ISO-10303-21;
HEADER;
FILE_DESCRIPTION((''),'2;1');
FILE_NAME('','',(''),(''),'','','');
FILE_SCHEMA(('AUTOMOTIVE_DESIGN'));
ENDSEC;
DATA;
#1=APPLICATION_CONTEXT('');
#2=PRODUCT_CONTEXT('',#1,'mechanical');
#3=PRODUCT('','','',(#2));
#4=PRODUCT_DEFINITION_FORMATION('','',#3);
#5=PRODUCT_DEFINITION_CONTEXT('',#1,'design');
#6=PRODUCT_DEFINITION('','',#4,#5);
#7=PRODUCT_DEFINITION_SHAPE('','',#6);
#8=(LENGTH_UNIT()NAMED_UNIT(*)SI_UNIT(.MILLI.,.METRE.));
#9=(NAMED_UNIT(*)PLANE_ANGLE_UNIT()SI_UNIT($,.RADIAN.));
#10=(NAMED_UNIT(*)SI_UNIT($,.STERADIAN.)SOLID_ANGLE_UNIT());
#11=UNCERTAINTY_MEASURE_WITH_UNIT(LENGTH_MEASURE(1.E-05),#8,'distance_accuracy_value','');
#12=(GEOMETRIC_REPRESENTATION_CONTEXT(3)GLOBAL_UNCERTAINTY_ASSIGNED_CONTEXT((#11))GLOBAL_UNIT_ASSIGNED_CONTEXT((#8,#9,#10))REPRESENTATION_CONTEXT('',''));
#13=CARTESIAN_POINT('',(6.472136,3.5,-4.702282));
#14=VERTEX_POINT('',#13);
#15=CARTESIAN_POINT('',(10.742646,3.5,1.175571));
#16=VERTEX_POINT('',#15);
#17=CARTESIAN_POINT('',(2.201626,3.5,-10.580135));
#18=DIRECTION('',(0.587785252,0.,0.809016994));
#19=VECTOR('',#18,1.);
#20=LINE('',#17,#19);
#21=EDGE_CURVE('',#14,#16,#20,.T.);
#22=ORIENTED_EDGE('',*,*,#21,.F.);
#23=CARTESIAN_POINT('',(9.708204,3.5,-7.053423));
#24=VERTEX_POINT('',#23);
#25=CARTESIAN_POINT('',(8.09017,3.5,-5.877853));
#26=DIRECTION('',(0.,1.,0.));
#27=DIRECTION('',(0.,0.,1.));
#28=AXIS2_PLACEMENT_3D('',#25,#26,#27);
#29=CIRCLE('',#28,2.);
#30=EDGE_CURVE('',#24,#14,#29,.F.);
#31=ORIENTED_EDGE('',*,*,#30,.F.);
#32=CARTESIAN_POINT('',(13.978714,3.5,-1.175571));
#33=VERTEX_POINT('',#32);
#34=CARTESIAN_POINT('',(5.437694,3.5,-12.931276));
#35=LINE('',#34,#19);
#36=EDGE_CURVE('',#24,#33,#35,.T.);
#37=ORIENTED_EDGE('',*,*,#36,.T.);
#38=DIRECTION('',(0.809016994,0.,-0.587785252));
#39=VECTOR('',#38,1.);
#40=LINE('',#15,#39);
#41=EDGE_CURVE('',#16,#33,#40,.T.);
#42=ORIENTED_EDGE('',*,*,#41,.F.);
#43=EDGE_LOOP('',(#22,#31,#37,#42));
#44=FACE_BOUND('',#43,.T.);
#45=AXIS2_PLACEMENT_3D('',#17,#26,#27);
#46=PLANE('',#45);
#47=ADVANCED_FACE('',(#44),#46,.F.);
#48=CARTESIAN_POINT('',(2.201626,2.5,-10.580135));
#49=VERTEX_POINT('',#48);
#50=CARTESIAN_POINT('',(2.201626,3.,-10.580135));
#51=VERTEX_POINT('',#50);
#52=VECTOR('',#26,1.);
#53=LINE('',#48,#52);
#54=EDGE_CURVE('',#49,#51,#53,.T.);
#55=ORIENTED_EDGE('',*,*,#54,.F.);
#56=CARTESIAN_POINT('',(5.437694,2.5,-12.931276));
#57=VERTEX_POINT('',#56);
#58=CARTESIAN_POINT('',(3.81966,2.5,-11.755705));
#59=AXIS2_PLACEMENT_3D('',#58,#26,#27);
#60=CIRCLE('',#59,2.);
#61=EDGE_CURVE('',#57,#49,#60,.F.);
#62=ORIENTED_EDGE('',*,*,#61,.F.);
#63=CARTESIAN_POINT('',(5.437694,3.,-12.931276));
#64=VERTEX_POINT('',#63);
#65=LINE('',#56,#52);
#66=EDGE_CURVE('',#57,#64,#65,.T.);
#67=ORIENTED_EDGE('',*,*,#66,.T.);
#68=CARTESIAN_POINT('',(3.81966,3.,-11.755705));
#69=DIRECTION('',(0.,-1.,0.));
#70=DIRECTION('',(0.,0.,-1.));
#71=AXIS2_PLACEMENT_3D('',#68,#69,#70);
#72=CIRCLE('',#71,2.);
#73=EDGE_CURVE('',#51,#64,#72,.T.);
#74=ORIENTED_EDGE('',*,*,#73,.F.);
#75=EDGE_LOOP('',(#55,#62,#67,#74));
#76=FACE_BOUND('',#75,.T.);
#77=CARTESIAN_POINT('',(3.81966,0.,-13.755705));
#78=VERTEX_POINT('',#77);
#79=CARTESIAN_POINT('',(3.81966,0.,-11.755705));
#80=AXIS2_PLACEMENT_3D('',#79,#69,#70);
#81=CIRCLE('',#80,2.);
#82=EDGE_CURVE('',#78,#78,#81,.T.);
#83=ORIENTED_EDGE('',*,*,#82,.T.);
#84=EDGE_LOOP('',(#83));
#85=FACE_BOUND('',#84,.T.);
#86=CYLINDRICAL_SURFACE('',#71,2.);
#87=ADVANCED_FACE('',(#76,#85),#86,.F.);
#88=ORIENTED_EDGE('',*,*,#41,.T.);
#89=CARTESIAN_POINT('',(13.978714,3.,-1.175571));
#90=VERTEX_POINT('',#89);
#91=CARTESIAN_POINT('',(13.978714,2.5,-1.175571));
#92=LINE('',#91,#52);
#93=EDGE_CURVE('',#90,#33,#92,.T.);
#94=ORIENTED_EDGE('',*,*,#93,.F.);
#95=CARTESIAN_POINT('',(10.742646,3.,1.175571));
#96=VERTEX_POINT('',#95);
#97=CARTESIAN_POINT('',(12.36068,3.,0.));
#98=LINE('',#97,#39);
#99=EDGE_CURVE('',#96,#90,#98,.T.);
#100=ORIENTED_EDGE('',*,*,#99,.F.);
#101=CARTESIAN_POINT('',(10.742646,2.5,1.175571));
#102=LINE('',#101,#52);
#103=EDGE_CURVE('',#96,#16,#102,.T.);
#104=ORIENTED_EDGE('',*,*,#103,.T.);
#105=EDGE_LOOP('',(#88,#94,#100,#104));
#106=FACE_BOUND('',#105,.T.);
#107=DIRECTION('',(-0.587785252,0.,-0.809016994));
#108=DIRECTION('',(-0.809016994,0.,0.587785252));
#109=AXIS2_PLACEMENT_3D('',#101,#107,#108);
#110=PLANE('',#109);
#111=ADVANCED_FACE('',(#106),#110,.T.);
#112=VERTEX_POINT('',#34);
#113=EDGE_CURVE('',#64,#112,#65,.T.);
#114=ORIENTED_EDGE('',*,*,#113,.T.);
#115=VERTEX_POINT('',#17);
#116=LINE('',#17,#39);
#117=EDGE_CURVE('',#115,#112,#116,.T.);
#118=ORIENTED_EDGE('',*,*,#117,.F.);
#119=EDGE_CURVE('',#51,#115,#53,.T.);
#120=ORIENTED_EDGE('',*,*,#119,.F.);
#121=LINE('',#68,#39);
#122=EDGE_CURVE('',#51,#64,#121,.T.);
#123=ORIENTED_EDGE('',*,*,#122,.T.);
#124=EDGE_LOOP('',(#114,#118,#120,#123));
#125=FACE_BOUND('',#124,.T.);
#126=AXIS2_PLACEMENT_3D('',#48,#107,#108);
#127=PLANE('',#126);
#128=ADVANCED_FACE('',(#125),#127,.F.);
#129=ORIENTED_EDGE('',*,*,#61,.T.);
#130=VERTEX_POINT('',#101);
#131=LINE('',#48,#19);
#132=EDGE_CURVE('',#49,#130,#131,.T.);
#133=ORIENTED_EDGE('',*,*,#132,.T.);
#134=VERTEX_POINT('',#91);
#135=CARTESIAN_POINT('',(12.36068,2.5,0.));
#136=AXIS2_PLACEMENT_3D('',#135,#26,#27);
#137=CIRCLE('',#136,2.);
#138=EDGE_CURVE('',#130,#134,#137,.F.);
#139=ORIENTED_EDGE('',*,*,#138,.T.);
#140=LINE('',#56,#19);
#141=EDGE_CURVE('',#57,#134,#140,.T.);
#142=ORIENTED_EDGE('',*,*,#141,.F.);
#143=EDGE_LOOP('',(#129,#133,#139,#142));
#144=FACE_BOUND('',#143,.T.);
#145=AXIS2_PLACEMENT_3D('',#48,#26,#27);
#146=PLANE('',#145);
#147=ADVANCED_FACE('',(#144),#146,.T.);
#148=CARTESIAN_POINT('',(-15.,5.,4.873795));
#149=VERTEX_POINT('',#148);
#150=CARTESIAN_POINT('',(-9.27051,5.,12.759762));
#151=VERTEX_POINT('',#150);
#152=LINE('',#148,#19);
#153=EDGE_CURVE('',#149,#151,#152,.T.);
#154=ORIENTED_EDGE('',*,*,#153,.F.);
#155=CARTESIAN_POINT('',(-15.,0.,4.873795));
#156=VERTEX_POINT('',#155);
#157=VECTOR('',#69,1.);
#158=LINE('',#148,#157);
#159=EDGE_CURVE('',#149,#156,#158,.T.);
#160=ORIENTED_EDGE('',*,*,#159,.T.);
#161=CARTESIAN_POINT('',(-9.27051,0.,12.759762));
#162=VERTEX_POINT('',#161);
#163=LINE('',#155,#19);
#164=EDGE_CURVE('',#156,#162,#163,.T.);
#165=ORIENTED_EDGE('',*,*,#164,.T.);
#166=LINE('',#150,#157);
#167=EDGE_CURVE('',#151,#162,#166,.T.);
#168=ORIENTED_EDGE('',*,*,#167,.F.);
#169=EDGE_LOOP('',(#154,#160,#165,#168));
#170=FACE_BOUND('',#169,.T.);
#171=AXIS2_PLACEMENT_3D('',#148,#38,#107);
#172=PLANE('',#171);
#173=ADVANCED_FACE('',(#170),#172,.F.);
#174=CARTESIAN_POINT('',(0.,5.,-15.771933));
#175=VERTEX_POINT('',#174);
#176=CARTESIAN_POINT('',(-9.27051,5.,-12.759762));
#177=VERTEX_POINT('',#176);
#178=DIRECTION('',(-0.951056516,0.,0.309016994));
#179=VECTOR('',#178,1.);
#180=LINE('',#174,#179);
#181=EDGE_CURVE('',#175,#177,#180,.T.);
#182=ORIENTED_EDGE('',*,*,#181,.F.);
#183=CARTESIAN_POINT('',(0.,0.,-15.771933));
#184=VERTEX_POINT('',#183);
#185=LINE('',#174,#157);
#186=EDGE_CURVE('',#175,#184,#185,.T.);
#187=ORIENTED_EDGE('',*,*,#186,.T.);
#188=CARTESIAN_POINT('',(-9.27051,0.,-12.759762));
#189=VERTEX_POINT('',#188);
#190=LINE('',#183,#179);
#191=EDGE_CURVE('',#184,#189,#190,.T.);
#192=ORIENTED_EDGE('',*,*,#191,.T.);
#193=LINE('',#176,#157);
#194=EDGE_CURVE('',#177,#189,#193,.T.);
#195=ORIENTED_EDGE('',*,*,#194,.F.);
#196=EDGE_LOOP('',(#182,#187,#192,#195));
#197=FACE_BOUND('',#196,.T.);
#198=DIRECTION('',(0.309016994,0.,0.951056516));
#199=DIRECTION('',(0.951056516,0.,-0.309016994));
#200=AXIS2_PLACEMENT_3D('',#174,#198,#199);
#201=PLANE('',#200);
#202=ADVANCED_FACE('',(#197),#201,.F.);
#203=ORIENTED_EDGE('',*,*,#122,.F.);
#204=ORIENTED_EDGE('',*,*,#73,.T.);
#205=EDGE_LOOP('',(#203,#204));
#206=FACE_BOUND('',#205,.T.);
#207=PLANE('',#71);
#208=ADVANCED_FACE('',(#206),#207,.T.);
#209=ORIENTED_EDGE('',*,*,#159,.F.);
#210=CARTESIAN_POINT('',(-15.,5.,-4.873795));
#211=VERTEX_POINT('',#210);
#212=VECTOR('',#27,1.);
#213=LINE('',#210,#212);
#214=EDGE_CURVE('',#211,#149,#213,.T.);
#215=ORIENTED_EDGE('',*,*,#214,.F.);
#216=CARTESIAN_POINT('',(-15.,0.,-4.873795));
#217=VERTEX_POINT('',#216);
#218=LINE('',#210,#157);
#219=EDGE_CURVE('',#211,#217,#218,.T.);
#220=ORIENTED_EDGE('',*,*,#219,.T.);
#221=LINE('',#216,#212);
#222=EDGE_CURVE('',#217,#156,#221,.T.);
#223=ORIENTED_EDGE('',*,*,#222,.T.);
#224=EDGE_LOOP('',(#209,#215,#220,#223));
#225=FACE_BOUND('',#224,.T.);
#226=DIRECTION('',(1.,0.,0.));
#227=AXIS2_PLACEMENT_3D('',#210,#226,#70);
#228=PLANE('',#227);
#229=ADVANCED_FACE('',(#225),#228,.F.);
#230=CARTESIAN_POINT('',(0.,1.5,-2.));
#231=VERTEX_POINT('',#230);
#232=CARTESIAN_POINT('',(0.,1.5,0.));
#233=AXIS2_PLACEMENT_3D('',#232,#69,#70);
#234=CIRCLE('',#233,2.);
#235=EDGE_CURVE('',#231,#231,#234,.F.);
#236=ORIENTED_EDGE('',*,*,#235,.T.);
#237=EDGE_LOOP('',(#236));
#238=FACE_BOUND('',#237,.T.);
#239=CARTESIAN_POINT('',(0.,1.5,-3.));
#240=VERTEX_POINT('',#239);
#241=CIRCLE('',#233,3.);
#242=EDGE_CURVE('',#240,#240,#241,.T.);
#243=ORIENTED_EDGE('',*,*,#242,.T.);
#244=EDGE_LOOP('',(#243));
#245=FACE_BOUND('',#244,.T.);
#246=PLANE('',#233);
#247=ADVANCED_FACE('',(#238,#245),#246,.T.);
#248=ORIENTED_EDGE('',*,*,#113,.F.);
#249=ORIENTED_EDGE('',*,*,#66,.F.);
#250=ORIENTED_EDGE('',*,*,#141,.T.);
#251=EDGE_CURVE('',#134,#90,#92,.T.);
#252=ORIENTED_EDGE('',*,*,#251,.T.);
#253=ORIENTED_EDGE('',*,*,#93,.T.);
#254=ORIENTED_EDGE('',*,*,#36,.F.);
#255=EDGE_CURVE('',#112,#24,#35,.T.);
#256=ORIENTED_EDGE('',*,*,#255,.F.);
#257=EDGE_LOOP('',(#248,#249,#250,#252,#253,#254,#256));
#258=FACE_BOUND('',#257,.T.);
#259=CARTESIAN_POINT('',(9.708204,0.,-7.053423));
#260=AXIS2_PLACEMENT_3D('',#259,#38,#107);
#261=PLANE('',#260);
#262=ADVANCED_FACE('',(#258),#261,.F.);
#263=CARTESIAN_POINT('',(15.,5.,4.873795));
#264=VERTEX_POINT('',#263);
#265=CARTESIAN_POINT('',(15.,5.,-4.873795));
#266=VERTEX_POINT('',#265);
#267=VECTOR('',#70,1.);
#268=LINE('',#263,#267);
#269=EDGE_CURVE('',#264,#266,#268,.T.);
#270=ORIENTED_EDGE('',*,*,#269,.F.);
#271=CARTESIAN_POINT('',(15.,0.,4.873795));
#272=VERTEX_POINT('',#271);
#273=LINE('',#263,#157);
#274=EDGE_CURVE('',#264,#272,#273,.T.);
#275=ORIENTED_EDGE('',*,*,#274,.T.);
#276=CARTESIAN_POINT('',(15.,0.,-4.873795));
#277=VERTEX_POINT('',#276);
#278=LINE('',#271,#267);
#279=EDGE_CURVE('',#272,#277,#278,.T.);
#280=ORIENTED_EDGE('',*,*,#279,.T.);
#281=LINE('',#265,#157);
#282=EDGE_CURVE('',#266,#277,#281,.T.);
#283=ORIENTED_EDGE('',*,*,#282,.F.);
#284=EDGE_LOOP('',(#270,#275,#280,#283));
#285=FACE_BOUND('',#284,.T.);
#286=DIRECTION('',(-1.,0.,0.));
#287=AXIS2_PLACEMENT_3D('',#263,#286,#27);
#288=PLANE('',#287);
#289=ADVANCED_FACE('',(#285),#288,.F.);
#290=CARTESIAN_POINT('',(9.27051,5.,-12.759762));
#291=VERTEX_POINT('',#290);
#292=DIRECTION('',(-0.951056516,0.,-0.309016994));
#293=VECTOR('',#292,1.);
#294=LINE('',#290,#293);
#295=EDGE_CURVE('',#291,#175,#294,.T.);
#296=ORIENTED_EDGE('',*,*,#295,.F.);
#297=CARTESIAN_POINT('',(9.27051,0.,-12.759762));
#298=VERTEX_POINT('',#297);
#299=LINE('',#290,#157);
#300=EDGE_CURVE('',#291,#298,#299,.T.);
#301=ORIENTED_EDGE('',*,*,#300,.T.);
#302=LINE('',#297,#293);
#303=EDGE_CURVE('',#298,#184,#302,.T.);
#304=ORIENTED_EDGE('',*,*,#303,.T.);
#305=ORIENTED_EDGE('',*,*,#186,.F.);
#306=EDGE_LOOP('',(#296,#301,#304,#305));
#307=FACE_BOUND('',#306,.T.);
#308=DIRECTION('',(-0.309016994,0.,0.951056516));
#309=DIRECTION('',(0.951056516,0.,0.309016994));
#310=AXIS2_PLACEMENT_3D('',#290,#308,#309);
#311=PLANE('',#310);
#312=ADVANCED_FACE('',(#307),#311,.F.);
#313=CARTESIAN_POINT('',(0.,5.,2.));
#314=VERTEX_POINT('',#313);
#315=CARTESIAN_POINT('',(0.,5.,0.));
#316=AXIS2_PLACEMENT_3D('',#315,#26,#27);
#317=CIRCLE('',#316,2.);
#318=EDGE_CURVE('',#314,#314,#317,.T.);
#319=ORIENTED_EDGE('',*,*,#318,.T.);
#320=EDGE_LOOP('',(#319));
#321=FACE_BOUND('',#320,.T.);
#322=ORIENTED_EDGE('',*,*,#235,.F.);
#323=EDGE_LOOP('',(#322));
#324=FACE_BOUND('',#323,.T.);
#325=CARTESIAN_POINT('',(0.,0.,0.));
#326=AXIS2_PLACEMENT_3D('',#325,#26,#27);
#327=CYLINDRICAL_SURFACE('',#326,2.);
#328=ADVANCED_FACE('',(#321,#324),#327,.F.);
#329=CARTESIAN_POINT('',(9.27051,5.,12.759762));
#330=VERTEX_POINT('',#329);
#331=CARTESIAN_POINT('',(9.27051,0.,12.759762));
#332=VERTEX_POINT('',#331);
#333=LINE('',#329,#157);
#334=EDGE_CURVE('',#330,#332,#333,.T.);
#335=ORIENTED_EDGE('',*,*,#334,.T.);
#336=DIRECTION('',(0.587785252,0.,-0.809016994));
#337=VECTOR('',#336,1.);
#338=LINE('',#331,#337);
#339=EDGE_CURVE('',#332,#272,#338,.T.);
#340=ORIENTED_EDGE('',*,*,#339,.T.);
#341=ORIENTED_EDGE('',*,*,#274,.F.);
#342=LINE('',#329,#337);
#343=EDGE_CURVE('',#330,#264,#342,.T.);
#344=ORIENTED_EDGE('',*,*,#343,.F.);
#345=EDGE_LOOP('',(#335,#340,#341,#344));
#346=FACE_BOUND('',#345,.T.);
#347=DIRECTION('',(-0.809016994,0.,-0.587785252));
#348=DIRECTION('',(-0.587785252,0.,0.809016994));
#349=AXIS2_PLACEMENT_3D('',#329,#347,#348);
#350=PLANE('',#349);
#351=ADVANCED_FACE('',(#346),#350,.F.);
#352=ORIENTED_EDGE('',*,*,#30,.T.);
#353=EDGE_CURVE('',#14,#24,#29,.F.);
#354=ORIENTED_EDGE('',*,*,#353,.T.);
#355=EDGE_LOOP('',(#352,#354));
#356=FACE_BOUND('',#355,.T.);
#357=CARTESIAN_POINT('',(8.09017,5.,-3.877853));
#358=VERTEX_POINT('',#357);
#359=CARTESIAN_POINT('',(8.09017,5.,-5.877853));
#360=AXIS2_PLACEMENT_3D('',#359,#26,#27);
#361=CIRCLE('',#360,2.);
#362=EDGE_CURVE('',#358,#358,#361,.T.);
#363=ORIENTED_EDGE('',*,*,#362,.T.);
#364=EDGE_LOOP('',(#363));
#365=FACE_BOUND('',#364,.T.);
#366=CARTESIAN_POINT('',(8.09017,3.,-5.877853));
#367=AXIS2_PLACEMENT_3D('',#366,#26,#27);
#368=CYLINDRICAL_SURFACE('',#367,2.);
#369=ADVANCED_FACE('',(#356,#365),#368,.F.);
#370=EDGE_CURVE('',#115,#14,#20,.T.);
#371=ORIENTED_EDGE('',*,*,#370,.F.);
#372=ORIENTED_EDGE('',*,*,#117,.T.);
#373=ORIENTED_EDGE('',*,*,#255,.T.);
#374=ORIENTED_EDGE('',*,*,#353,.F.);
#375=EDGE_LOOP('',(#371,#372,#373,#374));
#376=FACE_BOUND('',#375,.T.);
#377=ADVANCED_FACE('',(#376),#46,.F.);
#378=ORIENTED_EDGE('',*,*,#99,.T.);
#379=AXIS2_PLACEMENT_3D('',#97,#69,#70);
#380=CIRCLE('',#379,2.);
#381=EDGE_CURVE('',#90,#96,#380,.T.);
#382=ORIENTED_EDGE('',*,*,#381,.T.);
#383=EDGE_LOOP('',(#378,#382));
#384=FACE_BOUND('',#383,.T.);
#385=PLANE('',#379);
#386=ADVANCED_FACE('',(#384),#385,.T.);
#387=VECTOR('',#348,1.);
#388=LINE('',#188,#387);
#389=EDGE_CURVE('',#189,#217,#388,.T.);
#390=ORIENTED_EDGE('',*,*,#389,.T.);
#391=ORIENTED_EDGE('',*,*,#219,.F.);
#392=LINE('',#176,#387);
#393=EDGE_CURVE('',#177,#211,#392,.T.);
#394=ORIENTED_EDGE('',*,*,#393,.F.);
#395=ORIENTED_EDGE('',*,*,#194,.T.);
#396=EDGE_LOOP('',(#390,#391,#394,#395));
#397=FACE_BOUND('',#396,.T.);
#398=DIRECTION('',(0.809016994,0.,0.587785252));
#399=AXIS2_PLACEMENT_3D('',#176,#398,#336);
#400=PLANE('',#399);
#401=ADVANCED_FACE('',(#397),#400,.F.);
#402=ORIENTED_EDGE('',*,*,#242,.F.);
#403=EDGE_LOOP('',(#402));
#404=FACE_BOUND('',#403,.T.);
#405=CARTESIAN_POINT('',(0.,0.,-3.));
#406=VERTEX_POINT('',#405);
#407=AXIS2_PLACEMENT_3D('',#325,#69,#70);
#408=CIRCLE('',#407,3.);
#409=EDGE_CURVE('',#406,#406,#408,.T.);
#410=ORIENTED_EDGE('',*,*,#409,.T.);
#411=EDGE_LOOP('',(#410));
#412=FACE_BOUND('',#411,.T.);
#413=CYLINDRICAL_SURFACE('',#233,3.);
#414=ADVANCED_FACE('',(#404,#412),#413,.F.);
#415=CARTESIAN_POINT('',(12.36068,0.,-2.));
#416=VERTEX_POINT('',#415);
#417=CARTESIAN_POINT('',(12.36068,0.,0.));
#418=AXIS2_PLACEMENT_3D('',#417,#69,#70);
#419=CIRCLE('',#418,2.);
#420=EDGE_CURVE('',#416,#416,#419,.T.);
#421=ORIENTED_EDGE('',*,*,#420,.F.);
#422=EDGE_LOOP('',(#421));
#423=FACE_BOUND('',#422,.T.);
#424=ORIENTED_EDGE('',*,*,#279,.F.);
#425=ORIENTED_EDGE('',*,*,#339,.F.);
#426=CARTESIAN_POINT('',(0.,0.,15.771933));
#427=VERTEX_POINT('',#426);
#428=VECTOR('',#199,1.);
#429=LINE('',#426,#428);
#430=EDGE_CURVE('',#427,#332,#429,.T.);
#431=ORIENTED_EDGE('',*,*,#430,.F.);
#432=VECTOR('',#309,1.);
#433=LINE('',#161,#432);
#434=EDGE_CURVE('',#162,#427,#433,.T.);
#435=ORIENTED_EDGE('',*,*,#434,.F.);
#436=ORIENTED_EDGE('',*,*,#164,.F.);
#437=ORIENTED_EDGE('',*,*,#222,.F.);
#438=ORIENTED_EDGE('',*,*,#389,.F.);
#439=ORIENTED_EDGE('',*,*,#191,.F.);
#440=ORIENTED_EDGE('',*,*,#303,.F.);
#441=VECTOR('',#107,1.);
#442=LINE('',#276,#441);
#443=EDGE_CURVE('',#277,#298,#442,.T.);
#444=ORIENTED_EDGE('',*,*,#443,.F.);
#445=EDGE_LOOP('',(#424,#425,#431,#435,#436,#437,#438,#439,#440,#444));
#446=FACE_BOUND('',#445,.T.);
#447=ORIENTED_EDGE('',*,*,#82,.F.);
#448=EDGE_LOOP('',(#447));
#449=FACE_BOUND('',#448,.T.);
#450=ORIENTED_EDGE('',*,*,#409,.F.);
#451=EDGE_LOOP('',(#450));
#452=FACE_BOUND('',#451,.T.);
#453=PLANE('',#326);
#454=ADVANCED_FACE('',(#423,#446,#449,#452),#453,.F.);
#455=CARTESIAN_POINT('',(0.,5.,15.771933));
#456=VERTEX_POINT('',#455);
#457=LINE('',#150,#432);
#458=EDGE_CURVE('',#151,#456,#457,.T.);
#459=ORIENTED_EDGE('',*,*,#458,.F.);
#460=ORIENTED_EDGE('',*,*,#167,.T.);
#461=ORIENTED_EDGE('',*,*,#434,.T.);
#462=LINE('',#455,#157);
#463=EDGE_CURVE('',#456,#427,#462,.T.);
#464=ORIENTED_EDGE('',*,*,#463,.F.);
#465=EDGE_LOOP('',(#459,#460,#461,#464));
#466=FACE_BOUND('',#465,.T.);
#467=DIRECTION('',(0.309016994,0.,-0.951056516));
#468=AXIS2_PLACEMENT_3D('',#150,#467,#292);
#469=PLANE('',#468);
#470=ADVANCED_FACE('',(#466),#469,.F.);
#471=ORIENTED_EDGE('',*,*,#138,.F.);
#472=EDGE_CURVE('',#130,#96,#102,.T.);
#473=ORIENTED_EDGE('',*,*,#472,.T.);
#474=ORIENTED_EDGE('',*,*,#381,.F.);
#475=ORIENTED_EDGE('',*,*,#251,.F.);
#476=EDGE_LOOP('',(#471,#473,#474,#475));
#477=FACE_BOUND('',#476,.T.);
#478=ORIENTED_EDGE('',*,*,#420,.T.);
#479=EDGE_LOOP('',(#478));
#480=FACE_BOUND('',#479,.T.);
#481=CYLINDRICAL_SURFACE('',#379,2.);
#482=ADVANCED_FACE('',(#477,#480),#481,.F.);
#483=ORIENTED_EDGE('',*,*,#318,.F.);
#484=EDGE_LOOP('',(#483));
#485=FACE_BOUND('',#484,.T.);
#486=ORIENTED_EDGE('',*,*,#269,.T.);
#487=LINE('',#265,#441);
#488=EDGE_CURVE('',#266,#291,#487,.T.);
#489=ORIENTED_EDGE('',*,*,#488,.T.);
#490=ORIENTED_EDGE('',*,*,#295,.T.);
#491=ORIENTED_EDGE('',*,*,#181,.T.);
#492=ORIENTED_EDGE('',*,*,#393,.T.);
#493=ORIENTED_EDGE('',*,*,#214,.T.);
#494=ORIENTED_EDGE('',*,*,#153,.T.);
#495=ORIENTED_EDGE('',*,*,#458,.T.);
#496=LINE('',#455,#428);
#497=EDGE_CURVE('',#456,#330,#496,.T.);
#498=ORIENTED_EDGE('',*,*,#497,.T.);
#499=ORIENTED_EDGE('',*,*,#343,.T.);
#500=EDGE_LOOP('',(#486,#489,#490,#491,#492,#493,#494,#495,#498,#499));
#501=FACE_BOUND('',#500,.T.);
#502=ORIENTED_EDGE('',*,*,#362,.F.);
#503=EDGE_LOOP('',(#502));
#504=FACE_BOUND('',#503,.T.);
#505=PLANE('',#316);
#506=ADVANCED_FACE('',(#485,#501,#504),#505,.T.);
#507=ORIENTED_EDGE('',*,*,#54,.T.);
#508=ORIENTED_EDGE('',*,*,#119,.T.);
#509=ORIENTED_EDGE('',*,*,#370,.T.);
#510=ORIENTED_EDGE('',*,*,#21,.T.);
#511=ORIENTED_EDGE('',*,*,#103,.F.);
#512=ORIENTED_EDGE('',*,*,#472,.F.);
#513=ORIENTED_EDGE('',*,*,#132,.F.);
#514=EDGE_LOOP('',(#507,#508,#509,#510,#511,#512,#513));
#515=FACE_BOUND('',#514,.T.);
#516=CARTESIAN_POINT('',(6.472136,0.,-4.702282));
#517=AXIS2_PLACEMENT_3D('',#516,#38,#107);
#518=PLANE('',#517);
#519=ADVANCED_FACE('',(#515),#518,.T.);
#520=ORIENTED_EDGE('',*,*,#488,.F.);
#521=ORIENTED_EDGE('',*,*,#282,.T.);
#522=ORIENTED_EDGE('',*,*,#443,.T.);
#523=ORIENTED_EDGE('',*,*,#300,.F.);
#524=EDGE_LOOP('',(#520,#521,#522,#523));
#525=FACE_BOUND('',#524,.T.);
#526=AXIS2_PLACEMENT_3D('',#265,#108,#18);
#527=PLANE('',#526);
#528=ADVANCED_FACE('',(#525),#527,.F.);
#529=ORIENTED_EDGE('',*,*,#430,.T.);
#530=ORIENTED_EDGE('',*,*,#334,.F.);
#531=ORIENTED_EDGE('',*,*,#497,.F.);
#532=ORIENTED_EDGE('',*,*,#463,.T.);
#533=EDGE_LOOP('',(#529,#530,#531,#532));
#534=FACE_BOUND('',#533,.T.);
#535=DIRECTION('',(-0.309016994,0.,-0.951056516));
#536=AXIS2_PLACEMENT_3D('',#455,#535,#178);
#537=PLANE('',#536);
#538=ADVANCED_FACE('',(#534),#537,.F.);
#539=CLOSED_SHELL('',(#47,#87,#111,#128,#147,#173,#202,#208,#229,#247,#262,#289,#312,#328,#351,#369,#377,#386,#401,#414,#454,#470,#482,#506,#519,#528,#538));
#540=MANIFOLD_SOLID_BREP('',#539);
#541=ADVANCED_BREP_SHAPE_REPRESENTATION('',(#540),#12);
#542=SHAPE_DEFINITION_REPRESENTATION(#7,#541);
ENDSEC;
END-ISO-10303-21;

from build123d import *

# Parameters (mm, degrees)
BOSS_EXTRUDE1_DEPTH     = 5
SKETCH2_R               = 2
CUT_EXTRUDE1_DEPTH      = 5
SKETCH4_R               = 3
CUT_EXTRUDE2_DEPTH      = 1.5
SKETCH25_R              = 2
CUT_EXTRUDE3_DEPTH      = 2
SKETCH19_R              = 2
CUT_EXTRUDE4_DEPTH      = 3
SKETCH26_W              = 14.53085056
SKETCH26_H              = 1
CUT_EXTRUDE5_DEPTH      = 2
CUT_EXTRUDE5_DEPTH_BACK = 2


with BuildPart() as part:
    # Sketch1 → Boss-Extrude1 (new body)
    with BuildSketch(Plane(origin=(0, 0, 0), x_dir=(1, 0, 0), z_dir=(0, 1, 0))):
        Polygon((9.270509831, -12.759762125), (15, -4.873795443), (15, 4.873795443), (9.270509831, 12.759762125), (0, 15.771933364), (-9.270509831, 12.759762125), (-15, 4.873795443), (-15, -4.873795443), (-9.270509831, -12.759762125), (0, -15.771933364), align=None)
    extrude(amount=BOSS_EXTRUDE1_DEPTH)

    # Sketch2 → Cut-Extrude1 (cut)
    with BuildSketch(Plane(origin=(0, 5, 0), x_dir=(1, 0, 0), z_dir=(0, 1, 0))):
        Circle(SKETCH2_R)
    extrude(amount=-CUT_EXTRUDE1_DEPTH, mode=Mode.SUBTRACT)

    # Sketch4 → Cut-Extrude2 (cut)
    with BuildSketch(Plane.XZ):
        Circle(SKETCH4_R)
    extrude(amount=-CUT_EXTRUDE2_DEPTH, mode=Mode.SUBTRACT)

    # Sketch25 → Cut-Extrude3 (cut)
    with BuildSketch(Plane(origin=(0, 5, 0), x_dir=(1, 0, 0), z_dir=(0, 1, 0))):
        with Locations((8.090169944, 5.877852523)):
            Circle(SKETCH25_R)
    extrude(amount=-CUT_EXTRUDE3_DEPTH, mode=Mode.SUBTRACT)

    # Sketch19 → Cut-Extrude4 (cut)
    with BuildSketch(Plane.XZ):
        with Locations((12.360679775, 0)):
            Circle(SKETCH19_R)
        with Locations((3.819660113, -11.755705046)):
            Circle(SKETCH19_R)
    extrude(amount=-CUT_EXTRUDE4_DEPTH, mode=Mode.SUBTRACT)

    # Sketch26 → Cut-Extrude5 (cut, two sides)
    with BuildSketch(Plane(origin=(8.090169944, 0, -5.877852523), x_dir=(-0.587785252, 0, -0.809016994), z_dir=(-0.809016994, 0, 0.587785252))) as cut_extrude5_sk:
        with Locations((0, -3)):
            Rectangle(SKETCH26_W, SKETCH26_H)
    extrude(amount=CUT_EXTRUDE5_DEPTH, mode=Mode.SUBTRACT)
    extrude(cut_extrude5_sk.sketch, amount=-CUT_EXTRUDE5_DEPTH_BACK, mode=Mode.SUBTRACT)


solid = part.part
